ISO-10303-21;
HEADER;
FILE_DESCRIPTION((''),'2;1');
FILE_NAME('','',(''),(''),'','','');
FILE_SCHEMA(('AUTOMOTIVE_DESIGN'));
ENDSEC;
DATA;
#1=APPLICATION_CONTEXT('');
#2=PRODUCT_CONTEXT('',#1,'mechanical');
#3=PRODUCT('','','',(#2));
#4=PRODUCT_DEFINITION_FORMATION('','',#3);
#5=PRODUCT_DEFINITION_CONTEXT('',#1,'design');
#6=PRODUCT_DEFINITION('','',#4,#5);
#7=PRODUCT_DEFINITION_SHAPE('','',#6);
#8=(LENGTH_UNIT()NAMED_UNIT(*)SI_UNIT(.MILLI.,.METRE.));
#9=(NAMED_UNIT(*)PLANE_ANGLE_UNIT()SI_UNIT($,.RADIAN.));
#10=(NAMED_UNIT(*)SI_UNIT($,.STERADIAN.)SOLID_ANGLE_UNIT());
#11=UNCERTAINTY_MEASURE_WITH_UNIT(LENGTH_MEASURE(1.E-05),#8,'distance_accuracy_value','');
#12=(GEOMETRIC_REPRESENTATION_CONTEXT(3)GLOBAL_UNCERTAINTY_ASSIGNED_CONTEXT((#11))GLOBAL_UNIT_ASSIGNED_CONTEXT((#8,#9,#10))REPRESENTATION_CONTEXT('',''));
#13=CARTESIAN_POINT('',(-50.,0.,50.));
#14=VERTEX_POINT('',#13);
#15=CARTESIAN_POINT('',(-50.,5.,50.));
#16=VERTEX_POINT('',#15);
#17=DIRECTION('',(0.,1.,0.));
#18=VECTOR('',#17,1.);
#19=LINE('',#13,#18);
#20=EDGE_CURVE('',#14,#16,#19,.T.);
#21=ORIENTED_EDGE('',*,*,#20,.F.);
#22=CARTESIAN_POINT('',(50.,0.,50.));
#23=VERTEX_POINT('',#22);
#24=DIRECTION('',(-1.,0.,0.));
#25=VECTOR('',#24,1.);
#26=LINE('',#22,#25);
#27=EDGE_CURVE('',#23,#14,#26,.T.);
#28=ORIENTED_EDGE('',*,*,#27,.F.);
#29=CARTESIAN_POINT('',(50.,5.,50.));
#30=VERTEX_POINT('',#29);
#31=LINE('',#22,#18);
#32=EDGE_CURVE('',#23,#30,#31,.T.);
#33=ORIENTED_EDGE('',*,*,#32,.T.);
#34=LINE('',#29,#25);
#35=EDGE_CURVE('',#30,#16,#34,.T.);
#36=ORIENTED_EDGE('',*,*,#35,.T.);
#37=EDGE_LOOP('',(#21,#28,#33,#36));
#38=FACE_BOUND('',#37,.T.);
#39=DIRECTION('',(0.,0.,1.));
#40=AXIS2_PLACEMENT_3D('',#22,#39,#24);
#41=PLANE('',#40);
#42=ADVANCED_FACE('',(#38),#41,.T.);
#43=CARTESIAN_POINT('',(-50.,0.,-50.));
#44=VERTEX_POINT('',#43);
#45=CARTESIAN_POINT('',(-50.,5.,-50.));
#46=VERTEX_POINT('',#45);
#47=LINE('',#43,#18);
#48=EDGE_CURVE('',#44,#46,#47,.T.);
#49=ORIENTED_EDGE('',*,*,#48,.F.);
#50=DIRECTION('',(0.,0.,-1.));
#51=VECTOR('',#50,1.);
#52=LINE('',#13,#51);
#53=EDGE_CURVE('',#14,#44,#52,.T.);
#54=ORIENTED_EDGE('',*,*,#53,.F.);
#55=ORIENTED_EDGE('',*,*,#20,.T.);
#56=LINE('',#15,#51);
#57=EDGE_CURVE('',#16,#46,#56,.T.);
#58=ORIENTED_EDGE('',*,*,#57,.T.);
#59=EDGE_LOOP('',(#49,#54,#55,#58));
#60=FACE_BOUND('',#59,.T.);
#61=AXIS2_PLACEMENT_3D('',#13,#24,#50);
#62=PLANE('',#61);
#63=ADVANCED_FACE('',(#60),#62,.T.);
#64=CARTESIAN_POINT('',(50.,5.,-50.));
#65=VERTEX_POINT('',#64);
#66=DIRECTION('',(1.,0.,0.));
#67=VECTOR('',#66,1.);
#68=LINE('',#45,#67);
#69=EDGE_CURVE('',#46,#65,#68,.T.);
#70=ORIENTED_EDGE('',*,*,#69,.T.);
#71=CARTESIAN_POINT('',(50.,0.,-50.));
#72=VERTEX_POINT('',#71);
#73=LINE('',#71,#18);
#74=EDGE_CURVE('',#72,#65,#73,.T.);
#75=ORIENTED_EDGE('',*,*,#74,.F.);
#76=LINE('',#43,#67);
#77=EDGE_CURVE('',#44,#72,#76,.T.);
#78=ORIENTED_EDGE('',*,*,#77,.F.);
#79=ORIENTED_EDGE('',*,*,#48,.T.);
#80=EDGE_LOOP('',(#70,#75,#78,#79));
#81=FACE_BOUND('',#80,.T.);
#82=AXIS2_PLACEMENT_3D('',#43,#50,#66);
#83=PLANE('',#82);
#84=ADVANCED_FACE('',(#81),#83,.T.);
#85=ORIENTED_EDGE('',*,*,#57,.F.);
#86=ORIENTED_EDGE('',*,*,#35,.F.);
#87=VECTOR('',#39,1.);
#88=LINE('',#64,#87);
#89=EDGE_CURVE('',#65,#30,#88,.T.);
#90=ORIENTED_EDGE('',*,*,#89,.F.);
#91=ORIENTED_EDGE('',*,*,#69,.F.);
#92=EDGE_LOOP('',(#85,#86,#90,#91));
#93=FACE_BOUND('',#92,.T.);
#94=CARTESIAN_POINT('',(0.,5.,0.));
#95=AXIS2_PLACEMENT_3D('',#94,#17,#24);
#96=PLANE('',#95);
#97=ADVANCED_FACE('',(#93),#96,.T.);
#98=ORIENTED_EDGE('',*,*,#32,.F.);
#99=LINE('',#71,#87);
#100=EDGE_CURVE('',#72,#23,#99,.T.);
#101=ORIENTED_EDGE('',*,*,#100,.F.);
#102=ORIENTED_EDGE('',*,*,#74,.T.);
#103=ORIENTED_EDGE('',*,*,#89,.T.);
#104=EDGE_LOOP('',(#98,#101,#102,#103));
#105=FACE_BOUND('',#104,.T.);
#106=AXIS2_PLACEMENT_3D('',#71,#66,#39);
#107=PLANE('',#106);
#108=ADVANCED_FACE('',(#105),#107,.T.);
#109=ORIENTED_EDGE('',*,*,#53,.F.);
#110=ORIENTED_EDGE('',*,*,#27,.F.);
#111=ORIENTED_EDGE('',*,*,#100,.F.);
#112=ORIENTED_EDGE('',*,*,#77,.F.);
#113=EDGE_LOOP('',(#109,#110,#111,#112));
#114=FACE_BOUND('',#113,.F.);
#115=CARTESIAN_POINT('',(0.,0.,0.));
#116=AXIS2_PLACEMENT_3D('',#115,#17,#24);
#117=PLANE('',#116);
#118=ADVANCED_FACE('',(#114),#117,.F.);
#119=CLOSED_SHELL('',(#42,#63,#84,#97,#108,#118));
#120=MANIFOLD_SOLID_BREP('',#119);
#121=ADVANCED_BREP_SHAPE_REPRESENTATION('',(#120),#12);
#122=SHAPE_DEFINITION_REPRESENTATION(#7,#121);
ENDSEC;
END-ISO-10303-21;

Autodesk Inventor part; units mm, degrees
ref_plane "YZ Plane" through (0, 0, 0) normal (1, 0, 0) x (0, 1, 0)
ref_plane "XZ Plane" through (0, 0, 0) normal (0, 1, 0) x (-1, 0, 0)
ref_plane "XY Plane" through (0, 0, 0) normal (0, 0, 1) x (1, 0, 0)
sketch "Sketch1" plane through (0, 0, 0) normal (0, 1, 0) x (-1, 0, 0)
  line L0 (-50, 50) -> (50, 50)
  line L1 (50, 50) -> (50, -50)
  line L2 (50, -50) -> (-50, -50)
  line L3 (-50, -50) -> (-50, 50)
  line L4 (-50, 50) -> (50, -50) construction
  line L5 (50, 50) -> (-50, -50) construction
  point P0 (0, 0)
  dimension "d0" = 100
extrude "Extrusion1" add sketch "Sketch1" along normal blind 5
properties part number "MEAS_TOOL_SEQ"
